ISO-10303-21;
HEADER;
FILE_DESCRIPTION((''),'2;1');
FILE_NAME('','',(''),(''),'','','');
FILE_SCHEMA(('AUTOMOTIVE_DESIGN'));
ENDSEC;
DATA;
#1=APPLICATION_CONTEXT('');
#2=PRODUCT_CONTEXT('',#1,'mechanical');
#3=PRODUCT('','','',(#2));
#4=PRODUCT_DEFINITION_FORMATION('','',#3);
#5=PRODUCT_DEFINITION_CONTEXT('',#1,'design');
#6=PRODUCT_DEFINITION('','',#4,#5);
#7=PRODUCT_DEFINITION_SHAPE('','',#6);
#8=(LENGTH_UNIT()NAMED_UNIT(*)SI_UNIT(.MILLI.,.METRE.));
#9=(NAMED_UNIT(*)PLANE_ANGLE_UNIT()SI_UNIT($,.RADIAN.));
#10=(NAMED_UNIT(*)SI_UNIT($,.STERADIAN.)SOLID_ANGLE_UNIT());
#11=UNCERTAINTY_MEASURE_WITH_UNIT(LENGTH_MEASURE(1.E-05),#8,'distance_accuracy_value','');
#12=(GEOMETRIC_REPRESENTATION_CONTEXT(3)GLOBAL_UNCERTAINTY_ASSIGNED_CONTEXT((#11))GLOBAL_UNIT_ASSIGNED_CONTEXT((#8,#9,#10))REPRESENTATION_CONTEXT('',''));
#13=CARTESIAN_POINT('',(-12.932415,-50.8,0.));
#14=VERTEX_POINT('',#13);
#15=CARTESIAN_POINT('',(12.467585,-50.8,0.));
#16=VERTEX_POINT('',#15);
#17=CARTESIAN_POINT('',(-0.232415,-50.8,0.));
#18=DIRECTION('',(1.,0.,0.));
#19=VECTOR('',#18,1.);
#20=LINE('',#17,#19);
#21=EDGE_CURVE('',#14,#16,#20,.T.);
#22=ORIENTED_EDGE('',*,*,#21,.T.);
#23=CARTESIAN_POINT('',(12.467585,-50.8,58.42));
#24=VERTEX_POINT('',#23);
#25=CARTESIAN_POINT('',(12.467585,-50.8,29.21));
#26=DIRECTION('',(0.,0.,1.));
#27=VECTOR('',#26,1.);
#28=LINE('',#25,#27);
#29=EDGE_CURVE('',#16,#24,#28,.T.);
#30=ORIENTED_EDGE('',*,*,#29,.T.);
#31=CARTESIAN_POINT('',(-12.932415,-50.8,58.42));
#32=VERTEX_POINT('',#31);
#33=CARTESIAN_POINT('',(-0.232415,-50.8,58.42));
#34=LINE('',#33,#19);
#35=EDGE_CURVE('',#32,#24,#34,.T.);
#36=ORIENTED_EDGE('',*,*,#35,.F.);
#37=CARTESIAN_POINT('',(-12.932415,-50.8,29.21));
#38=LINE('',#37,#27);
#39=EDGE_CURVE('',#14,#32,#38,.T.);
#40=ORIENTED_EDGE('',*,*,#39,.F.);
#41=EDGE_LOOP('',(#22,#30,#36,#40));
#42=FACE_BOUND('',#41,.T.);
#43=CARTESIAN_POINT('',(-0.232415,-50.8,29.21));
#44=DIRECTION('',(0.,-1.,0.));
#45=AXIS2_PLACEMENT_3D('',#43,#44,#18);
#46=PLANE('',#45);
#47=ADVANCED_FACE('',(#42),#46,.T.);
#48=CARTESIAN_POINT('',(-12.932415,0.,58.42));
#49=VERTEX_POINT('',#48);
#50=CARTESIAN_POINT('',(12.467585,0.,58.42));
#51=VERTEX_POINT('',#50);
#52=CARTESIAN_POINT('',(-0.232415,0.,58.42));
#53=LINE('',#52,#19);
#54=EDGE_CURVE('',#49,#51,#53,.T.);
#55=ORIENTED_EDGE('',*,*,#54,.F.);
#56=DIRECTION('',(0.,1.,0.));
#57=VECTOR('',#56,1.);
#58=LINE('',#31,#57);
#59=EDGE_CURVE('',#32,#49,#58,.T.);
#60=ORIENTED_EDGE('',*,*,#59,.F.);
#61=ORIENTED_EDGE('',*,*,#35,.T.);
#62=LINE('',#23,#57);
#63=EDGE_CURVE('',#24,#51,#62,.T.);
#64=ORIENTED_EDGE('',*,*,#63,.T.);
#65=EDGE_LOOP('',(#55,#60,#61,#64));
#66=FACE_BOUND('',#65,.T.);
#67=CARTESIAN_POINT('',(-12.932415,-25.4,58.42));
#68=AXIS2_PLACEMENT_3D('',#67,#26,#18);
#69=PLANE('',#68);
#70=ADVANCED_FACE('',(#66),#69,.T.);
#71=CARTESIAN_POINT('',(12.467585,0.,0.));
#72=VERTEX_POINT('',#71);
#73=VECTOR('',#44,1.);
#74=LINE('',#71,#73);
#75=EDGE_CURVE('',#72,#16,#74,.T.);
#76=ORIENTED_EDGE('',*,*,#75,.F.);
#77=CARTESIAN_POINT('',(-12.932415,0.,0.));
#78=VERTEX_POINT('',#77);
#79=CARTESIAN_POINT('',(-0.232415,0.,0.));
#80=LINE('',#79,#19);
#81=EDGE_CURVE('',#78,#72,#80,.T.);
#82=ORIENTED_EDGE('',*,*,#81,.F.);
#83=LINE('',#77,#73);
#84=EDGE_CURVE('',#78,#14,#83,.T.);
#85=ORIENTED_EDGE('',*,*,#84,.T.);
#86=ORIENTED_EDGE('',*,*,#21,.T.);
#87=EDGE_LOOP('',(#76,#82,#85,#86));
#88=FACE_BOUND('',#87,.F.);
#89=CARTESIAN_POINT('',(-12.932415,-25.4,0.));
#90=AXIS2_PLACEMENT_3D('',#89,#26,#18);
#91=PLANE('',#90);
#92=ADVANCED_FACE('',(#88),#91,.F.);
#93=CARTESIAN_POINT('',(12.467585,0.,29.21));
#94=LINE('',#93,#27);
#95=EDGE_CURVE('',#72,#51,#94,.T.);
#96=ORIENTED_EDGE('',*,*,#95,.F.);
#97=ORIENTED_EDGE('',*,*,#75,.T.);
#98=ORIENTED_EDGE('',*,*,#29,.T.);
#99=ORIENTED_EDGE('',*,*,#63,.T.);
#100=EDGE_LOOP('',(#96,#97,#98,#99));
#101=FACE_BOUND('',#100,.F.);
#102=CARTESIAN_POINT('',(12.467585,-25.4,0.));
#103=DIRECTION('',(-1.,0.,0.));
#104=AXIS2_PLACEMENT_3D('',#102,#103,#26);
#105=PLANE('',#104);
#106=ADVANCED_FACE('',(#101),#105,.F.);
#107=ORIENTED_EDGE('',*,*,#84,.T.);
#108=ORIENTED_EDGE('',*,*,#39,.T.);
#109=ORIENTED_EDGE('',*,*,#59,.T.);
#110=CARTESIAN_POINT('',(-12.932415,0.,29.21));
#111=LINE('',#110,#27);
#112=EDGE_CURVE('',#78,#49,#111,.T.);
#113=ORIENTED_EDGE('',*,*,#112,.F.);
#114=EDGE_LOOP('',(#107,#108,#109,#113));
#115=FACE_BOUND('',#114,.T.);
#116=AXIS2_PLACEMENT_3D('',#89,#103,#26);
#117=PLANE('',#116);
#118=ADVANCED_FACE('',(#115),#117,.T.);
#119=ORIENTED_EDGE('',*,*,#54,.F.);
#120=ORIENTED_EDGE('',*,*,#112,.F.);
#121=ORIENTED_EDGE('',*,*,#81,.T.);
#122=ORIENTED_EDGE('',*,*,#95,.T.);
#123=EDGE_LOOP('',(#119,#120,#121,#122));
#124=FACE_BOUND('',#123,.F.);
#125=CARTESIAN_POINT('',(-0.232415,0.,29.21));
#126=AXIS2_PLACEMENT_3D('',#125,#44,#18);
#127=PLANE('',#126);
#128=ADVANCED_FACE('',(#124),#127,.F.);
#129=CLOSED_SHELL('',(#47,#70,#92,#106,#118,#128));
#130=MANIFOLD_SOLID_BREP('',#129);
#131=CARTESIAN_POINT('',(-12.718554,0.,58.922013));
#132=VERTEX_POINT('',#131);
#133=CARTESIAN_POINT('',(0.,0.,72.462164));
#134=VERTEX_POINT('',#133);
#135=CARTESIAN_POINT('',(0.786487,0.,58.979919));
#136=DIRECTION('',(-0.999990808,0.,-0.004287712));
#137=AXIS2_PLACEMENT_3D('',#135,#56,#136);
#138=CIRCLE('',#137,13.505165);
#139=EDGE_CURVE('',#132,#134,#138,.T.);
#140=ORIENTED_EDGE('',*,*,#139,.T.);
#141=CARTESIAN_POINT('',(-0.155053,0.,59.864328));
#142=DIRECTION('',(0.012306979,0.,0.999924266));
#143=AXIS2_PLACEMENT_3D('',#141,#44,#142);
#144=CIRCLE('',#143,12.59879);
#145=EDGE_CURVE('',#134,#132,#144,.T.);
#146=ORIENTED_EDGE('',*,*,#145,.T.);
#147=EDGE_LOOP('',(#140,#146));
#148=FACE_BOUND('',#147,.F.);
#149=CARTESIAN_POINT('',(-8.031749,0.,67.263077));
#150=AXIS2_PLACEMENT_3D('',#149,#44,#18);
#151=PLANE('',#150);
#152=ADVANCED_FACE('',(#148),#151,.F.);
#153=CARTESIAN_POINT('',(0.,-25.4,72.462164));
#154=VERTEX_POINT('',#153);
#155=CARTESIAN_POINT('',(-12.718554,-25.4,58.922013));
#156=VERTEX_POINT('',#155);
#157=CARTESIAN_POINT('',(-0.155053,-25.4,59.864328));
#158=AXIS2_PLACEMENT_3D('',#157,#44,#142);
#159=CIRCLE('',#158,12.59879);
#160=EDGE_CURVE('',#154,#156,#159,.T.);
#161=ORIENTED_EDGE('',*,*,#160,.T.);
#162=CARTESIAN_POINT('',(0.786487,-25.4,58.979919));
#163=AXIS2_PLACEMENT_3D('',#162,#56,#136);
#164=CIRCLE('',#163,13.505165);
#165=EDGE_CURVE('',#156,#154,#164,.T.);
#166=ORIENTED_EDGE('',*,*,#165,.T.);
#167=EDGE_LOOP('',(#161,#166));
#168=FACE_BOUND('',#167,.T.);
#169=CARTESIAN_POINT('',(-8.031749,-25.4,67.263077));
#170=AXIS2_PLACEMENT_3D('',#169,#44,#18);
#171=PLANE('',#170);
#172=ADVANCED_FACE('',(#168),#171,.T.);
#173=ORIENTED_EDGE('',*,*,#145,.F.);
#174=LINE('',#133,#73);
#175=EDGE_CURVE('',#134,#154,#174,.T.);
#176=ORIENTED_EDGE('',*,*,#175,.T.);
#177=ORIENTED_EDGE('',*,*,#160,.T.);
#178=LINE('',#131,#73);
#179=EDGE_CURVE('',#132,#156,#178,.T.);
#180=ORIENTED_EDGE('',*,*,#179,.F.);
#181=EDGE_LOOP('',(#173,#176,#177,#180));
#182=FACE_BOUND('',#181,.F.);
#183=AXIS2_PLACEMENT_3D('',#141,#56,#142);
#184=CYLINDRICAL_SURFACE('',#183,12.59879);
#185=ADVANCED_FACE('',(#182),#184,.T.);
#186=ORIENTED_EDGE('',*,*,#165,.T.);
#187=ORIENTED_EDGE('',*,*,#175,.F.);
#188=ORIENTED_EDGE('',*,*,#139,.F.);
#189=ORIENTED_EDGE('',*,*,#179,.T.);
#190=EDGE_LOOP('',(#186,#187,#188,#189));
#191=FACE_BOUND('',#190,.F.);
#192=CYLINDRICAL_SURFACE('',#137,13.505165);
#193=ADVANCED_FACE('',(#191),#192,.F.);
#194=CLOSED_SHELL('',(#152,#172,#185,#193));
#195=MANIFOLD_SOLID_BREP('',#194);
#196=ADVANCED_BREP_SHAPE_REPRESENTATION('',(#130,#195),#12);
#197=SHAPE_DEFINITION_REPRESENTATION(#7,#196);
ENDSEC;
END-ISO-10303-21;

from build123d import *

# Parameters (mm, degrees)
F0_W      = 25.4
F0_H      = 58.42
F1_DEPTH  = 25.4
F1_FACE_W = 25.4
F1_FACE_H = 58.42
F3_DEPTH  = 25.4


with BuildPart() as f1:
    # F0 (on Front) → F1 (new body)
    with BuildSketch(Plane.XZ):
        with Locations((-0.232415, 29.21)):
            Rectangle(F0_W, F0_H)
    extrude(amount=F1_DEPTH)

    # F2 (on Front) + F1_face (on face) → F3 (join)
    with BuildSketch(Plane.XZ):
        with BuildLine():
            ThreePointArc((-12.718554, 58.922013), (-9.057083, 68.226195), (0, 72.462164))
            ThreePointArc((0, 72.462164), (-9.337989, 68.490057), (-12.718554, 58.922013))
        make_face()
    with BuildSketch(Plane(origin=(-0.232415, -25.4, 29.21), x_dir=(1, 0, 0), z_dir=(0, -1, 0))):
        Rectangle(F1_FACE_W, F1_FACE_H)
    extrude(amount=F3_DEPTH)


solid = f1.part
